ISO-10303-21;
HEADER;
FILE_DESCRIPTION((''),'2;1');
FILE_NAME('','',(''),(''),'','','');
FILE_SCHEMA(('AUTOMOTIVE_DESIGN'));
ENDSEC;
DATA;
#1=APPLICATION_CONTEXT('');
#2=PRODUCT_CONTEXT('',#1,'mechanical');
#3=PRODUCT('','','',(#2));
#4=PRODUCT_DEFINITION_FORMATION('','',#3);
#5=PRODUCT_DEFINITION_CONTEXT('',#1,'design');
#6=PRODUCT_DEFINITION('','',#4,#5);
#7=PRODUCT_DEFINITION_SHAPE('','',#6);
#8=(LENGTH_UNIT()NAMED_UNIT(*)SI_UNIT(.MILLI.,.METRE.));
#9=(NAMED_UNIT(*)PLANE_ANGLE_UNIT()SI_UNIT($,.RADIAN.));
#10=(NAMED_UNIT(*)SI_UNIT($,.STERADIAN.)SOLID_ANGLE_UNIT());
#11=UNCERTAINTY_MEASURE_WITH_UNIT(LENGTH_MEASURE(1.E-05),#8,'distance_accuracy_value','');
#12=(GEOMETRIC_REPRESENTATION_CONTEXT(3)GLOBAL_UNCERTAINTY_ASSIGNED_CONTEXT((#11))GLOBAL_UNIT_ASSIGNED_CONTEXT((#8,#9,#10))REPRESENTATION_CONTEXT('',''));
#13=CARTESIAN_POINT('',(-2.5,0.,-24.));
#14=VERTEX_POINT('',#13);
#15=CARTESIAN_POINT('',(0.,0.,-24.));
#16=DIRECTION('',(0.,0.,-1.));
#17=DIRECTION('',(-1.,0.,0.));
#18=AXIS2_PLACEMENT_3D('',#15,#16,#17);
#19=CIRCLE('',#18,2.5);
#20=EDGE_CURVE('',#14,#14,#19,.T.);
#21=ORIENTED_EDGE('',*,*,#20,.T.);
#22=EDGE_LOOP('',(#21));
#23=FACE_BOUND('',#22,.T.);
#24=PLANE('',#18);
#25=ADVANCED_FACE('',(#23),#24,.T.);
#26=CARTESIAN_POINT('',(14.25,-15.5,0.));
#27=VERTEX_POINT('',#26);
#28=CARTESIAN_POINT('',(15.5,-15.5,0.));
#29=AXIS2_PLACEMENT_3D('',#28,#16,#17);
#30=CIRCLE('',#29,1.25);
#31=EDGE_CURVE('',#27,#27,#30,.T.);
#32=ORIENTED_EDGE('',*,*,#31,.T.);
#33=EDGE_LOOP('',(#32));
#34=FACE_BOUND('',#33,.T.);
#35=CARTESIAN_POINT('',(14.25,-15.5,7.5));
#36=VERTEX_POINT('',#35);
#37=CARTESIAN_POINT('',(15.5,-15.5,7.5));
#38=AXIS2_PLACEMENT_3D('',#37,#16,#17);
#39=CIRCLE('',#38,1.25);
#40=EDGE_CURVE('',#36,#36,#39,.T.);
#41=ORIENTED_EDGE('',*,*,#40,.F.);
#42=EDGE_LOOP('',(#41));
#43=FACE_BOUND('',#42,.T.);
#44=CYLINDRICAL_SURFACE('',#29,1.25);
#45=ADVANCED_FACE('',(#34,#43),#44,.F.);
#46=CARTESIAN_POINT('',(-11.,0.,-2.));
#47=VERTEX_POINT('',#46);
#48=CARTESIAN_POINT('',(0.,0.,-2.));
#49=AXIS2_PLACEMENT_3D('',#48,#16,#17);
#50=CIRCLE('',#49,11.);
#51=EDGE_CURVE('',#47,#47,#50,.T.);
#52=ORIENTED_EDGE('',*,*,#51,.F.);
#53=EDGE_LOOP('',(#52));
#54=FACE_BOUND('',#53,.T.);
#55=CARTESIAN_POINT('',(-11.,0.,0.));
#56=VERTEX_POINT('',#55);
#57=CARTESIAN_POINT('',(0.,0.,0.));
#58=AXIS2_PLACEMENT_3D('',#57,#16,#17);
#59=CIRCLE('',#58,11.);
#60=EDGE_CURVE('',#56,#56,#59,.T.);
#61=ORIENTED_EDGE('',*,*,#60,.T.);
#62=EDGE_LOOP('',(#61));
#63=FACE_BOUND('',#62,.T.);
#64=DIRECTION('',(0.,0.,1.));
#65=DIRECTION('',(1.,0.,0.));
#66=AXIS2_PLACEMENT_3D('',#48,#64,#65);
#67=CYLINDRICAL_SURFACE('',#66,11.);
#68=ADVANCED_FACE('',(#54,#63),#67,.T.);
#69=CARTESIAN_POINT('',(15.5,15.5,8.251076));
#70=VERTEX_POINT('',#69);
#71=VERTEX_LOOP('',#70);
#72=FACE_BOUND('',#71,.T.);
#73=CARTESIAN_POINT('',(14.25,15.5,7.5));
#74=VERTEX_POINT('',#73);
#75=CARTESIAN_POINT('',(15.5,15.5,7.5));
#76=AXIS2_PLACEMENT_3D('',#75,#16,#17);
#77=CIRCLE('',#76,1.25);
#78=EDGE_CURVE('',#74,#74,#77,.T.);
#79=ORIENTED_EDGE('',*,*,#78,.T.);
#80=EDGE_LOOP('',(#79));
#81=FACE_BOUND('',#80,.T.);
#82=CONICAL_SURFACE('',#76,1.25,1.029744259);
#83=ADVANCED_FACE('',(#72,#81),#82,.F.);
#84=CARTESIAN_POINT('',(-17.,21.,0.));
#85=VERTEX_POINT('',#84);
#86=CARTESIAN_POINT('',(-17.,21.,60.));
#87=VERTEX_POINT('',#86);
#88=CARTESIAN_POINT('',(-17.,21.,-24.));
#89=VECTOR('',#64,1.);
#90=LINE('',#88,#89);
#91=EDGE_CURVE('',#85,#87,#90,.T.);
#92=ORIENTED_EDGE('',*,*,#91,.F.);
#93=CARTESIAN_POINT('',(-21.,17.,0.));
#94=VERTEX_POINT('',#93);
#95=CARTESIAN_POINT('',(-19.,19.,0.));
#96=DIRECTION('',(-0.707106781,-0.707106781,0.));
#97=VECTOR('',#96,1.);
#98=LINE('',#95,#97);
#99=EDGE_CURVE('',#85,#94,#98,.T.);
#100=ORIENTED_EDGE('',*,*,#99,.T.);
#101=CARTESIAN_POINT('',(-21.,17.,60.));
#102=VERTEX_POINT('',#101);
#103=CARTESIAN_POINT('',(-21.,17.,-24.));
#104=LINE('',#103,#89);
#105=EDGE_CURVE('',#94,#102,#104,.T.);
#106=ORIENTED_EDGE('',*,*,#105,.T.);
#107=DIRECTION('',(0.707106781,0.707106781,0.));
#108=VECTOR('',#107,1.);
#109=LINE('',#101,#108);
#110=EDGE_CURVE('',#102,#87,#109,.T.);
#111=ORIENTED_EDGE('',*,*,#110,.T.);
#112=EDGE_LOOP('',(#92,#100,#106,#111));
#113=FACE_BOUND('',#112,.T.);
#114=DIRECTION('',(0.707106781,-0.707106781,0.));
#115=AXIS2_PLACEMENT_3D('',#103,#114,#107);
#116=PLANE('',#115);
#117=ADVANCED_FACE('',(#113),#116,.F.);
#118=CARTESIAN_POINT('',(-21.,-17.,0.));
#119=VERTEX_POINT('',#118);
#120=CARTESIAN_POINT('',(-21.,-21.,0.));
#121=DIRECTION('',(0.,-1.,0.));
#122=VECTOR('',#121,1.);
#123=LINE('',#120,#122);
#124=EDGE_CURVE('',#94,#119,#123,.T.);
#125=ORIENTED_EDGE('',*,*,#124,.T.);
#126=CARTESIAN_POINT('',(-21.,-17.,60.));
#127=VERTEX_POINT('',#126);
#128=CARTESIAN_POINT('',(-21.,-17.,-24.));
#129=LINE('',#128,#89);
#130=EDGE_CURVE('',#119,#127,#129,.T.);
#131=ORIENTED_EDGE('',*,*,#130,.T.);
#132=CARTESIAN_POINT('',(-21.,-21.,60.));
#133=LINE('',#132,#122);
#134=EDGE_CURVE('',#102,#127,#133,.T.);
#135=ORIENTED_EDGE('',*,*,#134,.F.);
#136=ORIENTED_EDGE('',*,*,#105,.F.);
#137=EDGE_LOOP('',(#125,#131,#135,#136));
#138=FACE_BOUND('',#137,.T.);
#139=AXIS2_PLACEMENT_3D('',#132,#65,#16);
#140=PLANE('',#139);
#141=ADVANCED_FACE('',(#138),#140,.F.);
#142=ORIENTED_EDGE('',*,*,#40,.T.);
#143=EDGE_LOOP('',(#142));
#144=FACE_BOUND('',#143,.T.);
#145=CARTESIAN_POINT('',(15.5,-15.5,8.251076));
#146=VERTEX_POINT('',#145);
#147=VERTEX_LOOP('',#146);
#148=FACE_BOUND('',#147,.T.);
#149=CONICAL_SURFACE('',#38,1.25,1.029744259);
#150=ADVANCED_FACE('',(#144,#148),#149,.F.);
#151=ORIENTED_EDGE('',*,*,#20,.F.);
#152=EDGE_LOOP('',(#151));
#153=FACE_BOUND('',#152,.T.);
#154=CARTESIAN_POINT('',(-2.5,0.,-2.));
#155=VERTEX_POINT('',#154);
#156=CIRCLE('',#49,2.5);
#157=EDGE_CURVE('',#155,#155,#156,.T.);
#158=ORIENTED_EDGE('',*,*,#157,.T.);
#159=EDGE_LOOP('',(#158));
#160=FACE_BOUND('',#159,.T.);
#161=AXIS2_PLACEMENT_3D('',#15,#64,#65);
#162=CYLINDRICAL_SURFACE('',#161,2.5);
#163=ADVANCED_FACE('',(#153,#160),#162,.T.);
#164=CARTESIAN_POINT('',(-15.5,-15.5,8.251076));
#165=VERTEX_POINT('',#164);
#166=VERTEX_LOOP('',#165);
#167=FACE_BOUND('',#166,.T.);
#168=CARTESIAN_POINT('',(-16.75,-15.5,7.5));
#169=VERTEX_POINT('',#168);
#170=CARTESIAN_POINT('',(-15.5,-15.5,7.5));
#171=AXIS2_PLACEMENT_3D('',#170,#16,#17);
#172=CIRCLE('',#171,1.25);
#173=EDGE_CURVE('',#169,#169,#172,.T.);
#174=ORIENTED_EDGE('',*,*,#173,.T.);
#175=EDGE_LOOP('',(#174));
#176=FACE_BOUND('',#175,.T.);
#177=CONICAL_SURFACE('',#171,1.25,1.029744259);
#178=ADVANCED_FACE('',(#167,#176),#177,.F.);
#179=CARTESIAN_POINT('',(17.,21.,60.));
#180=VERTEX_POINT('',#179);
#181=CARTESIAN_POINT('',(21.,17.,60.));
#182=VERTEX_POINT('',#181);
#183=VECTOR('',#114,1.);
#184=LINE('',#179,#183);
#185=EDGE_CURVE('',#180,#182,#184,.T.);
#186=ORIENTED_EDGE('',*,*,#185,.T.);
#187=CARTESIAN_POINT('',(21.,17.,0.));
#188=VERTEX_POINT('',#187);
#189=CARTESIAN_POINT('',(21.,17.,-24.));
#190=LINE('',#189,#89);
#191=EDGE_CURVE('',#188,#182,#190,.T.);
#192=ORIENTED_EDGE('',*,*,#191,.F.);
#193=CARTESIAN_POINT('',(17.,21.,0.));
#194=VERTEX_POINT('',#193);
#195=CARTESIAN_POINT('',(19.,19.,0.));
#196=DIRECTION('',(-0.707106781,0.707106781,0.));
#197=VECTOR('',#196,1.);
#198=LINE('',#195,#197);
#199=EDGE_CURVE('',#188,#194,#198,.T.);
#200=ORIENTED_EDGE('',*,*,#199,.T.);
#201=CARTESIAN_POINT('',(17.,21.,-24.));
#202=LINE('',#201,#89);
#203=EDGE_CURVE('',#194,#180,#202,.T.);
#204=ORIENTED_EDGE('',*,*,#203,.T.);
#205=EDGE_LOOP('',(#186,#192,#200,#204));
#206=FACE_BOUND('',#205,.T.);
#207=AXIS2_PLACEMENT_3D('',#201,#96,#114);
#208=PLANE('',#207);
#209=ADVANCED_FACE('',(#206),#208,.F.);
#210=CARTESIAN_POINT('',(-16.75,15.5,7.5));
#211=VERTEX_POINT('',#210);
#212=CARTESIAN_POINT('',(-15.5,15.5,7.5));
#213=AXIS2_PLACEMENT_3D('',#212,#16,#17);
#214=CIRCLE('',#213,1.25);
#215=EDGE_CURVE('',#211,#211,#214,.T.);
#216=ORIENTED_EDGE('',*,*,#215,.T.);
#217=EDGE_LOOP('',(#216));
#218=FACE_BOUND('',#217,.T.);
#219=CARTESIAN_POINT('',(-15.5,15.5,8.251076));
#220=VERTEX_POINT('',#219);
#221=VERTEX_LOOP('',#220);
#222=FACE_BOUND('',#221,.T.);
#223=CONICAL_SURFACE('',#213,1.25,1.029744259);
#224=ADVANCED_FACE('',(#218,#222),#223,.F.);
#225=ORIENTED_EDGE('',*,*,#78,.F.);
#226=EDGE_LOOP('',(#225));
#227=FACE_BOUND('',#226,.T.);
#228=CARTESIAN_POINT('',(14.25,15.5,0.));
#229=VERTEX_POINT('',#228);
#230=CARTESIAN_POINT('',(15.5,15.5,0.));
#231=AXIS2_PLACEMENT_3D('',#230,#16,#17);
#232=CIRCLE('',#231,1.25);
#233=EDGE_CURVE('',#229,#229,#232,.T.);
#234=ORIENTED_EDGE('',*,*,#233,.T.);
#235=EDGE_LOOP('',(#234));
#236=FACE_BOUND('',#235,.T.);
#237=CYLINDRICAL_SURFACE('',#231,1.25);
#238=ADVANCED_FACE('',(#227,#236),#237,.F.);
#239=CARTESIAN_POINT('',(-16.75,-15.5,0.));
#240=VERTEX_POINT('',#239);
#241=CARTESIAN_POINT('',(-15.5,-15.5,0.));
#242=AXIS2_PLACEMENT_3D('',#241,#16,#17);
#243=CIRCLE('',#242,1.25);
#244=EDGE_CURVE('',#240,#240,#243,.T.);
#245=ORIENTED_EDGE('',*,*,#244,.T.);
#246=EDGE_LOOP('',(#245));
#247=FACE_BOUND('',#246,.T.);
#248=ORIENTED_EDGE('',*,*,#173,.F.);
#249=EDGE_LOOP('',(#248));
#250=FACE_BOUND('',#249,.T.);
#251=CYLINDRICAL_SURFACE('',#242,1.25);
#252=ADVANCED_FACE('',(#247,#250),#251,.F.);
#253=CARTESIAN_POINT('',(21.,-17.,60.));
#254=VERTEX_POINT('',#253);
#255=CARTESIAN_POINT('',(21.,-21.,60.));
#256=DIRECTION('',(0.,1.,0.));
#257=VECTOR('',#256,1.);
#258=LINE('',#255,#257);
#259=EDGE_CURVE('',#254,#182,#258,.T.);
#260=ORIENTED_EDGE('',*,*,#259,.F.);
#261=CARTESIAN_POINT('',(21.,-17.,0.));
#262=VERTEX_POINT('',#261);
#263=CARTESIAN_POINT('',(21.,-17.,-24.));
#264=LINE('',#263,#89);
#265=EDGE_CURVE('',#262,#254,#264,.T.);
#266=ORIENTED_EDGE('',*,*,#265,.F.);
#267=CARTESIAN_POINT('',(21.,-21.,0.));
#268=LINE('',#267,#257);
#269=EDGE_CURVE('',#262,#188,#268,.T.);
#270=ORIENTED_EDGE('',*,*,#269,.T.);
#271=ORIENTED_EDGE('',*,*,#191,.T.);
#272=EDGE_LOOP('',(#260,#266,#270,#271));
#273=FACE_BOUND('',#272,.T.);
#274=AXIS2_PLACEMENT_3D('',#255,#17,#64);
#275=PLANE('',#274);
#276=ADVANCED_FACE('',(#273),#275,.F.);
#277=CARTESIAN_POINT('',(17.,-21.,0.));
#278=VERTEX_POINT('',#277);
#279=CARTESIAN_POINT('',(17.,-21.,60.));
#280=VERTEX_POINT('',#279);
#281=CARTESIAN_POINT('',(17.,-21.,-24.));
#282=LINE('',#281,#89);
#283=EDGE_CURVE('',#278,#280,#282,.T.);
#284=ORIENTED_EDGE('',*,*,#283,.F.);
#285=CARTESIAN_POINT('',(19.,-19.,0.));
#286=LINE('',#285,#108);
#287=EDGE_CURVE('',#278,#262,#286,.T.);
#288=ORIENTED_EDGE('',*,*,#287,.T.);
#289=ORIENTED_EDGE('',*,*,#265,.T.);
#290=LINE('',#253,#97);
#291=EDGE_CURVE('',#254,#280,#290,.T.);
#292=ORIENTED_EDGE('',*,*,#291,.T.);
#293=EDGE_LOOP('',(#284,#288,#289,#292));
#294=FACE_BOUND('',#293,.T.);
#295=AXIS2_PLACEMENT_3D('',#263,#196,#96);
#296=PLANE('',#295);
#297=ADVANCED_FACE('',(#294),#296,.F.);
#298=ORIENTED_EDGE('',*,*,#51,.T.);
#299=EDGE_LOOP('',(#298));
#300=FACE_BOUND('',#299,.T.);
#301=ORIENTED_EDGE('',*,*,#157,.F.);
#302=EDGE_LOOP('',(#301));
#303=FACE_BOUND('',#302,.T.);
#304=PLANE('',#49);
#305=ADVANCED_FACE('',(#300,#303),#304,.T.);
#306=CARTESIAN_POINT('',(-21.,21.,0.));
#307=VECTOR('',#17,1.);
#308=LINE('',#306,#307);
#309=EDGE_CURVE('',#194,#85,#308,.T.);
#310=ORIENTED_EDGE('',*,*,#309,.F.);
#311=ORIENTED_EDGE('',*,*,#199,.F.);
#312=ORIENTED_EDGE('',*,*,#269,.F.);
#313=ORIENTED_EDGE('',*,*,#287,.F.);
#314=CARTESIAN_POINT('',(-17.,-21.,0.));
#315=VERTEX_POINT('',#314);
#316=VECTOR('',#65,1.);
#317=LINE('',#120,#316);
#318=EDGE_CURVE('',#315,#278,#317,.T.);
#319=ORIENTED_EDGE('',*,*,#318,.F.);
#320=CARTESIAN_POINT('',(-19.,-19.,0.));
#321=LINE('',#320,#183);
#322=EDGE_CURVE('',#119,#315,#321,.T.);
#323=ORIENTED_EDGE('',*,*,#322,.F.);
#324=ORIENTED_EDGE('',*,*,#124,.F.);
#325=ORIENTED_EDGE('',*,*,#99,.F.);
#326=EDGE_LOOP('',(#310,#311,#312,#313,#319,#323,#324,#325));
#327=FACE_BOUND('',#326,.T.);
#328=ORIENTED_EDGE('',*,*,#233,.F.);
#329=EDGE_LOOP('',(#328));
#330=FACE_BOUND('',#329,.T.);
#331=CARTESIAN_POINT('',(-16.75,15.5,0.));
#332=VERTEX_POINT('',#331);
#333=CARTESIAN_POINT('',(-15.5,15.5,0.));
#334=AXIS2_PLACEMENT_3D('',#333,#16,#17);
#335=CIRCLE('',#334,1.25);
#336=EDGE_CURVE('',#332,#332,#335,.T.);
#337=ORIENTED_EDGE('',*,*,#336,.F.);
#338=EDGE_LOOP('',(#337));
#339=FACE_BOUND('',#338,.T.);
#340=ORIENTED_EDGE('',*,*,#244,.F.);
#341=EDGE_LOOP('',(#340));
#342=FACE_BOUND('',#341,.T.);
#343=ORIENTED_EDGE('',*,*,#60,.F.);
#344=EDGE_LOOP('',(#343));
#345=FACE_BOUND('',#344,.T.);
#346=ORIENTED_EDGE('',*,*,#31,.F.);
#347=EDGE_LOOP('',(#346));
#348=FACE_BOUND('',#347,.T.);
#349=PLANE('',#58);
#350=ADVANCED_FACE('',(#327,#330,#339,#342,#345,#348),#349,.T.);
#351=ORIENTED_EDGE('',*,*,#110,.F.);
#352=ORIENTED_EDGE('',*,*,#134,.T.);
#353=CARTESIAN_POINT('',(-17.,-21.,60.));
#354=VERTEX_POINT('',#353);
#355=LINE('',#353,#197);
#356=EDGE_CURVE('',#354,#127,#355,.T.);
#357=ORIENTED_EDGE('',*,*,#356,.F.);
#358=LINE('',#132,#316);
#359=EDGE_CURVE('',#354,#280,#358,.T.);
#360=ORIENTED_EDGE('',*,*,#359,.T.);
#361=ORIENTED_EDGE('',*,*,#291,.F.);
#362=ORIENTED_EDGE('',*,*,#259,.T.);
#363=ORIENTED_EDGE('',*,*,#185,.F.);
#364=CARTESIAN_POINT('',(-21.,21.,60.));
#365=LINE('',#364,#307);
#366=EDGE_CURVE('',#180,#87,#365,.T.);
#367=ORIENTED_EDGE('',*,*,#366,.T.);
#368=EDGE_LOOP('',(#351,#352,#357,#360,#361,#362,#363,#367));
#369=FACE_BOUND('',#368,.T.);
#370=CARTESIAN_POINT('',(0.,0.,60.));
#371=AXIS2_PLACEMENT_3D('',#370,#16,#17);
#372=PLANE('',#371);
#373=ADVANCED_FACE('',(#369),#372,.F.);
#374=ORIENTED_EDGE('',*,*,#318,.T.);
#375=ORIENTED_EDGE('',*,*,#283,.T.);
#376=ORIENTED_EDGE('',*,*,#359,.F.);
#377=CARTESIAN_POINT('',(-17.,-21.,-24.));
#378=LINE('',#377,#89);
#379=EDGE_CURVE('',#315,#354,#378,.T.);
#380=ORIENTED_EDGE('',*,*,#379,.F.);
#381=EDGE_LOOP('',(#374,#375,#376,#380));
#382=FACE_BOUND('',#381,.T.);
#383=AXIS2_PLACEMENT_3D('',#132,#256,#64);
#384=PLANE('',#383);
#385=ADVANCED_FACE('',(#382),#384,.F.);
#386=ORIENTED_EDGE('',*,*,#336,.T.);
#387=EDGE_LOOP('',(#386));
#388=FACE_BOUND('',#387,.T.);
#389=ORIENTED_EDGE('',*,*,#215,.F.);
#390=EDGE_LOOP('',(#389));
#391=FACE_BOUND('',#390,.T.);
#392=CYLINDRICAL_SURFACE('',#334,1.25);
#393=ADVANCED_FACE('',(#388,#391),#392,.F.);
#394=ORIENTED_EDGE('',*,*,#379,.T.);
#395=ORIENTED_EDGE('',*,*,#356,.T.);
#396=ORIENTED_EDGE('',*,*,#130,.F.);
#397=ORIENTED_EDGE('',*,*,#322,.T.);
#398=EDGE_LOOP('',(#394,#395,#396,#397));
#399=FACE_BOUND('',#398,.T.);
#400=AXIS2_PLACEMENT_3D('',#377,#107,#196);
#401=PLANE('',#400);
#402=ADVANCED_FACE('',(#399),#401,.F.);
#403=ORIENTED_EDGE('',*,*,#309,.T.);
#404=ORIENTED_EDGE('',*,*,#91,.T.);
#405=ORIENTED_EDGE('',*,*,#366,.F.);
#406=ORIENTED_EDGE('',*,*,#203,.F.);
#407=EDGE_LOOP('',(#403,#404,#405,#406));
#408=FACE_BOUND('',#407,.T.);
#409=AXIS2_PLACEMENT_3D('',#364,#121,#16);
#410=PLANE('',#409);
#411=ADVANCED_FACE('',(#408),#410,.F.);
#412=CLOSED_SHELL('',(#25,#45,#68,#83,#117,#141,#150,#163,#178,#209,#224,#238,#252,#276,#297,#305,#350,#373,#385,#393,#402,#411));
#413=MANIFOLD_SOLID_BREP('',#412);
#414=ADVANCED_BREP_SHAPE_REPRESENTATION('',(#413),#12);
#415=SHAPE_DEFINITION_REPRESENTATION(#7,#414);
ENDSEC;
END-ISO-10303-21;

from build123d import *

# Parameters (mm, degrees)
SKETCH_1_W               = 42
SKETCH_1_H               = 42
EXTRUDE_1_DEPTH          = 60
SKETCH_8_R               = 2.5
EXTRUDE_2_DEPTH          = 24
CUT_EXTRUDE_1_DEPTH      = 85
PATTERN_CIRCULAR_1_COUNT = 4
SKETCH_12_R              = 11
EXTRUDE_3_DEPTH          = 2


with BuildPart() as part:
    # Эскиз1 → Бобышка-Вытянуть1 (new body)
    with BuildSketch(Plane.XY):
        Rectangle(SKETCH_1_W, SKETCH_1_H)
    extrude(amount=EXTRUDE_1_DEPTH)

    # Эскиз8 → Бобышка-Вытянуть2 (add)
    with BuildSketch(Plane(origin=(0, 0, 0), x_dir=(-1, 0, 0), z_dir=(0, 0, -1))):
        Circle(SKETCH_8_R)
    extrude(amount=EXTRUDE_2_DEPTH)

    # Эскиз9 → Отверстие обработанное метчиком M32 (revolve, cut)
    with BuildSketch(Plane(origin=(-15.5, -15.5, 0), x_dir=(0, 1, 0), z_dir=(1, 0, 0))):
        Polygon((0, 0), (0, 8.251075774), (1.25, 7.5), (1.25, 0), align=None)
    hole_wizard_m32 = revolve(axis=Axis((-15.5, -15.5, -6.35), (0, 0, 1)), mode=Mode.SUBTRACT)

    # Эскиз3 → Вырез-Вытянуть1 (cut, through all)
    with BuildSketch(Plane.XY.offset(60)):
        Polygon((-21, 17), (-17, 21), (-21, 21), align=None)
    cut_extrude_1 = extrude(amount=-CUT_EXTRUDE_1_DEPTH, mode=Mode.SUBTRACT)

    # Круговой массив1: Отверстие обработанное метчиком M32, Вырез-Вытянуть1 ×4 about axis
    pattern_circular_1_axis = Axis((0, 0, 0), (0, 0, 1))
    for i in range(1, PATTERN_CIRCULAR_1_COUNT):
        add(hole_wizard_m32.rotate(pattern_circular_1_axis, i * 360 / PATTERN_CIRCULAR_1_COUNT), mode=Mode.SUBTRACT)
        add(cut_extrude_1.rotate(pattern_circular_1_axis, i * 360 / PATTERN_CIRCULAR_1_COUNT), mode=Mode.SUBTRACT)

    # Эскиз12 → Бобышка-Вытянуть3 (add)
    with BuildSketch(Plane(origin=(0, 0, 0), x_dir=(-1, 0, 0), z_dir=(0, 0, -1))):
        Circle(SKETCH_12_R)
    extrude(amount=EXTRUDE_3_DEPTH)


solid = part.part
